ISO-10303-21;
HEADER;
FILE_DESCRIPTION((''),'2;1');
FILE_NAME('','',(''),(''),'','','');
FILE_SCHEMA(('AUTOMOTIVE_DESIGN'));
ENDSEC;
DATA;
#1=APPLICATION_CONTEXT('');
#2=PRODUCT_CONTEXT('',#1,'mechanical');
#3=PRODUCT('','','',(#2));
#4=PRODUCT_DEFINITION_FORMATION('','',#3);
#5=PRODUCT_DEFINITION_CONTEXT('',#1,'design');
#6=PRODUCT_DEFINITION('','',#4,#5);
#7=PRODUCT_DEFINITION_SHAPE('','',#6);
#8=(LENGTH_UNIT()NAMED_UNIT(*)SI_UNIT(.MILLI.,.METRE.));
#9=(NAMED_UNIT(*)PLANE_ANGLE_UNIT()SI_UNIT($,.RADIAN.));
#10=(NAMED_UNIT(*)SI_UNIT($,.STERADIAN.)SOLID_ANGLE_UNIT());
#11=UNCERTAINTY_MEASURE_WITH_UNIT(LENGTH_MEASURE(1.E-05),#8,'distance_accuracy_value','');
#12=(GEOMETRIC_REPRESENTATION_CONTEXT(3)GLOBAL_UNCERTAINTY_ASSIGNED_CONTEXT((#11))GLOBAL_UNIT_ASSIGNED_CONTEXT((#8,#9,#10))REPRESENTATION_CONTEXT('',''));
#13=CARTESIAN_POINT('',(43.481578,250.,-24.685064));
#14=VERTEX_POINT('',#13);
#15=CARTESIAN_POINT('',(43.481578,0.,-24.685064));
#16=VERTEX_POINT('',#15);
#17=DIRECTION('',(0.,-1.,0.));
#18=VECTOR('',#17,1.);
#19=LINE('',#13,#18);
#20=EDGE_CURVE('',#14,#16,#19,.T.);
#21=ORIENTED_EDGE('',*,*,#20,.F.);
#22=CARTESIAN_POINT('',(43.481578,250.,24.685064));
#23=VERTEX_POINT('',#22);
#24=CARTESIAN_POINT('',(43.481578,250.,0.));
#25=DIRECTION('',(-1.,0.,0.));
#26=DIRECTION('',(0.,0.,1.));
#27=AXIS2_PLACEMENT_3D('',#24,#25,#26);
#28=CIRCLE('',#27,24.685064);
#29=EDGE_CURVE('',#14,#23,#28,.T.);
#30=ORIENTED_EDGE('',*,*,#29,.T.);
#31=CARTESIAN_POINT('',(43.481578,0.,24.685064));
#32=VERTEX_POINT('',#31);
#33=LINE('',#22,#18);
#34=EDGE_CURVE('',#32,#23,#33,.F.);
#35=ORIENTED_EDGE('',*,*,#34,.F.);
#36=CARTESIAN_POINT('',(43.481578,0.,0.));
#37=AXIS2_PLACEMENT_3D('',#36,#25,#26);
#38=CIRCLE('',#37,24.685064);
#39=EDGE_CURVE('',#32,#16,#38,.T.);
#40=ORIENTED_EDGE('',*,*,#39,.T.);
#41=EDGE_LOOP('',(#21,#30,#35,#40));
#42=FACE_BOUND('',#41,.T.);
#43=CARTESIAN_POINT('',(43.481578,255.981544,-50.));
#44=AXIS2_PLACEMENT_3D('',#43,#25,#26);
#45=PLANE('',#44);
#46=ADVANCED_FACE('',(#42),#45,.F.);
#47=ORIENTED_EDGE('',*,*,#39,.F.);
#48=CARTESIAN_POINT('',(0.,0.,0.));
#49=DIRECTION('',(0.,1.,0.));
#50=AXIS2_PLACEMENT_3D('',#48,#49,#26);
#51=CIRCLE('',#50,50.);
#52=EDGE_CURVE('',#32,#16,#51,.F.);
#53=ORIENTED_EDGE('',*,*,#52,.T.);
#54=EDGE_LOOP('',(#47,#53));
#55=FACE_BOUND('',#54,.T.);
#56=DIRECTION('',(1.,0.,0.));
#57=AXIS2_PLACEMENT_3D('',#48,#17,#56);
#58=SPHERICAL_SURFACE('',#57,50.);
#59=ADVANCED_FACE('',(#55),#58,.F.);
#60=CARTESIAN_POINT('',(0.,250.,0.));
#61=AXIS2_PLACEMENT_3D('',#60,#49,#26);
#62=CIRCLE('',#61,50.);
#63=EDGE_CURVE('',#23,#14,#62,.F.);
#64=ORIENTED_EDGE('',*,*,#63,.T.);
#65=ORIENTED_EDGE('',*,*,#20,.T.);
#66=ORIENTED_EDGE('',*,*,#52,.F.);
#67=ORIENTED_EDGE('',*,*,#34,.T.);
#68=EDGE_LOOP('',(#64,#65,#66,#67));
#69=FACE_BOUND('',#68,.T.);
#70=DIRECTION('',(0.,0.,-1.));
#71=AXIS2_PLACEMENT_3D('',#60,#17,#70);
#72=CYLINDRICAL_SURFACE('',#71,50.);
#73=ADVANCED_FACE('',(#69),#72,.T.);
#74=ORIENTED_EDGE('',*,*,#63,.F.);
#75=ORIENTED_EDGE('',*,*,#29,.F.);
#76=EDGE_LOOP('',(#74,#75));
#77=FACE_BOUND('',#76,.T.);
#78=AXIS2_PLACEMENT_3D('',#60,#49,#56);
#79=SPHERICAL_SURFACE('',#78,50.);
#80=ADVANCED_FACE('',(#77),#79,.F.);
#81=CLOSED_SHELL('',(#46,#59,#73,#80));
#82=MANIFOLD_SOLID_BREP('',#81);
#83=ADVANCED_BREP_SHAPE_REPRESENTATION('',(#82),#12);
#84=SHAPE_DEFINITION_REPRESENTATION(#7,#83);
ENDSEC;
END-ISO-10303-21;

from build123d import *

# Parameters (mm, degrees)
SKETCH1_R               = 50
BOSS_EXTRUDE1_DEPTH     = 250
CUT_EXTRUDE1_DEPTH      = 260.807621135
CUT_EXTRUDE1_DEPTH_BACK = 260.807621135
SKETCH3_W               = 7.515334491
SKETCH3_H               = 262.678834124


with BuildPart() as part:
    # Sketch1 → Boss-Extrude1 (new body)
    with BuildSketch(Plane(origin=(0, 0, 0), x_dir=(1, 0, 0), z_dir=(0, 1, 0))):
        with Locations(Location((0, 0, 0), (0, 0, 270))):
            Circle(SKETCH1_R)
    extrude(amount=BOSS_EXTRUDE1_DEPTH)

    # Sketch2 → Cut-Revolve1 (revolve, cut)
    with BuildSketch(Plane.XY):
        with BuildLine():
            Line((0, 300), (0, 200))
            ThreePointArc((0, 200), (50, 250), (0, 300))
        make_face()
    cut_revolve1 = revolve(axis=Axis((0, 300, 0), (0, -1, 0)), mode=Mode.SUBTRACT)

    # Mirror2: Cut-Revolve1 across plane
    add(cut_revolve1.mirror(Plane.ZX.offset(125)), mode=Mode.SUBTRACT)

    # Sketch3 → Cut-Extrude1 (cut, two sides: drawn at the far end of the back side and taken through both)
    with BuildSketch(Plane.XY.offset(-CUT_EXTRUDE1_DEPTH_BACK)):
        with Locations((47.239245373, 124.642126929)):
            Rectangle(SKETCH3_W, SKETCH3_H)
    extrude(amount=CUT_EXTRUDE1_DEPTH + CUT_EXTRUDE1_DEPTH_BACK, mode=Mode.SUBTRACT)


solid = part.part
